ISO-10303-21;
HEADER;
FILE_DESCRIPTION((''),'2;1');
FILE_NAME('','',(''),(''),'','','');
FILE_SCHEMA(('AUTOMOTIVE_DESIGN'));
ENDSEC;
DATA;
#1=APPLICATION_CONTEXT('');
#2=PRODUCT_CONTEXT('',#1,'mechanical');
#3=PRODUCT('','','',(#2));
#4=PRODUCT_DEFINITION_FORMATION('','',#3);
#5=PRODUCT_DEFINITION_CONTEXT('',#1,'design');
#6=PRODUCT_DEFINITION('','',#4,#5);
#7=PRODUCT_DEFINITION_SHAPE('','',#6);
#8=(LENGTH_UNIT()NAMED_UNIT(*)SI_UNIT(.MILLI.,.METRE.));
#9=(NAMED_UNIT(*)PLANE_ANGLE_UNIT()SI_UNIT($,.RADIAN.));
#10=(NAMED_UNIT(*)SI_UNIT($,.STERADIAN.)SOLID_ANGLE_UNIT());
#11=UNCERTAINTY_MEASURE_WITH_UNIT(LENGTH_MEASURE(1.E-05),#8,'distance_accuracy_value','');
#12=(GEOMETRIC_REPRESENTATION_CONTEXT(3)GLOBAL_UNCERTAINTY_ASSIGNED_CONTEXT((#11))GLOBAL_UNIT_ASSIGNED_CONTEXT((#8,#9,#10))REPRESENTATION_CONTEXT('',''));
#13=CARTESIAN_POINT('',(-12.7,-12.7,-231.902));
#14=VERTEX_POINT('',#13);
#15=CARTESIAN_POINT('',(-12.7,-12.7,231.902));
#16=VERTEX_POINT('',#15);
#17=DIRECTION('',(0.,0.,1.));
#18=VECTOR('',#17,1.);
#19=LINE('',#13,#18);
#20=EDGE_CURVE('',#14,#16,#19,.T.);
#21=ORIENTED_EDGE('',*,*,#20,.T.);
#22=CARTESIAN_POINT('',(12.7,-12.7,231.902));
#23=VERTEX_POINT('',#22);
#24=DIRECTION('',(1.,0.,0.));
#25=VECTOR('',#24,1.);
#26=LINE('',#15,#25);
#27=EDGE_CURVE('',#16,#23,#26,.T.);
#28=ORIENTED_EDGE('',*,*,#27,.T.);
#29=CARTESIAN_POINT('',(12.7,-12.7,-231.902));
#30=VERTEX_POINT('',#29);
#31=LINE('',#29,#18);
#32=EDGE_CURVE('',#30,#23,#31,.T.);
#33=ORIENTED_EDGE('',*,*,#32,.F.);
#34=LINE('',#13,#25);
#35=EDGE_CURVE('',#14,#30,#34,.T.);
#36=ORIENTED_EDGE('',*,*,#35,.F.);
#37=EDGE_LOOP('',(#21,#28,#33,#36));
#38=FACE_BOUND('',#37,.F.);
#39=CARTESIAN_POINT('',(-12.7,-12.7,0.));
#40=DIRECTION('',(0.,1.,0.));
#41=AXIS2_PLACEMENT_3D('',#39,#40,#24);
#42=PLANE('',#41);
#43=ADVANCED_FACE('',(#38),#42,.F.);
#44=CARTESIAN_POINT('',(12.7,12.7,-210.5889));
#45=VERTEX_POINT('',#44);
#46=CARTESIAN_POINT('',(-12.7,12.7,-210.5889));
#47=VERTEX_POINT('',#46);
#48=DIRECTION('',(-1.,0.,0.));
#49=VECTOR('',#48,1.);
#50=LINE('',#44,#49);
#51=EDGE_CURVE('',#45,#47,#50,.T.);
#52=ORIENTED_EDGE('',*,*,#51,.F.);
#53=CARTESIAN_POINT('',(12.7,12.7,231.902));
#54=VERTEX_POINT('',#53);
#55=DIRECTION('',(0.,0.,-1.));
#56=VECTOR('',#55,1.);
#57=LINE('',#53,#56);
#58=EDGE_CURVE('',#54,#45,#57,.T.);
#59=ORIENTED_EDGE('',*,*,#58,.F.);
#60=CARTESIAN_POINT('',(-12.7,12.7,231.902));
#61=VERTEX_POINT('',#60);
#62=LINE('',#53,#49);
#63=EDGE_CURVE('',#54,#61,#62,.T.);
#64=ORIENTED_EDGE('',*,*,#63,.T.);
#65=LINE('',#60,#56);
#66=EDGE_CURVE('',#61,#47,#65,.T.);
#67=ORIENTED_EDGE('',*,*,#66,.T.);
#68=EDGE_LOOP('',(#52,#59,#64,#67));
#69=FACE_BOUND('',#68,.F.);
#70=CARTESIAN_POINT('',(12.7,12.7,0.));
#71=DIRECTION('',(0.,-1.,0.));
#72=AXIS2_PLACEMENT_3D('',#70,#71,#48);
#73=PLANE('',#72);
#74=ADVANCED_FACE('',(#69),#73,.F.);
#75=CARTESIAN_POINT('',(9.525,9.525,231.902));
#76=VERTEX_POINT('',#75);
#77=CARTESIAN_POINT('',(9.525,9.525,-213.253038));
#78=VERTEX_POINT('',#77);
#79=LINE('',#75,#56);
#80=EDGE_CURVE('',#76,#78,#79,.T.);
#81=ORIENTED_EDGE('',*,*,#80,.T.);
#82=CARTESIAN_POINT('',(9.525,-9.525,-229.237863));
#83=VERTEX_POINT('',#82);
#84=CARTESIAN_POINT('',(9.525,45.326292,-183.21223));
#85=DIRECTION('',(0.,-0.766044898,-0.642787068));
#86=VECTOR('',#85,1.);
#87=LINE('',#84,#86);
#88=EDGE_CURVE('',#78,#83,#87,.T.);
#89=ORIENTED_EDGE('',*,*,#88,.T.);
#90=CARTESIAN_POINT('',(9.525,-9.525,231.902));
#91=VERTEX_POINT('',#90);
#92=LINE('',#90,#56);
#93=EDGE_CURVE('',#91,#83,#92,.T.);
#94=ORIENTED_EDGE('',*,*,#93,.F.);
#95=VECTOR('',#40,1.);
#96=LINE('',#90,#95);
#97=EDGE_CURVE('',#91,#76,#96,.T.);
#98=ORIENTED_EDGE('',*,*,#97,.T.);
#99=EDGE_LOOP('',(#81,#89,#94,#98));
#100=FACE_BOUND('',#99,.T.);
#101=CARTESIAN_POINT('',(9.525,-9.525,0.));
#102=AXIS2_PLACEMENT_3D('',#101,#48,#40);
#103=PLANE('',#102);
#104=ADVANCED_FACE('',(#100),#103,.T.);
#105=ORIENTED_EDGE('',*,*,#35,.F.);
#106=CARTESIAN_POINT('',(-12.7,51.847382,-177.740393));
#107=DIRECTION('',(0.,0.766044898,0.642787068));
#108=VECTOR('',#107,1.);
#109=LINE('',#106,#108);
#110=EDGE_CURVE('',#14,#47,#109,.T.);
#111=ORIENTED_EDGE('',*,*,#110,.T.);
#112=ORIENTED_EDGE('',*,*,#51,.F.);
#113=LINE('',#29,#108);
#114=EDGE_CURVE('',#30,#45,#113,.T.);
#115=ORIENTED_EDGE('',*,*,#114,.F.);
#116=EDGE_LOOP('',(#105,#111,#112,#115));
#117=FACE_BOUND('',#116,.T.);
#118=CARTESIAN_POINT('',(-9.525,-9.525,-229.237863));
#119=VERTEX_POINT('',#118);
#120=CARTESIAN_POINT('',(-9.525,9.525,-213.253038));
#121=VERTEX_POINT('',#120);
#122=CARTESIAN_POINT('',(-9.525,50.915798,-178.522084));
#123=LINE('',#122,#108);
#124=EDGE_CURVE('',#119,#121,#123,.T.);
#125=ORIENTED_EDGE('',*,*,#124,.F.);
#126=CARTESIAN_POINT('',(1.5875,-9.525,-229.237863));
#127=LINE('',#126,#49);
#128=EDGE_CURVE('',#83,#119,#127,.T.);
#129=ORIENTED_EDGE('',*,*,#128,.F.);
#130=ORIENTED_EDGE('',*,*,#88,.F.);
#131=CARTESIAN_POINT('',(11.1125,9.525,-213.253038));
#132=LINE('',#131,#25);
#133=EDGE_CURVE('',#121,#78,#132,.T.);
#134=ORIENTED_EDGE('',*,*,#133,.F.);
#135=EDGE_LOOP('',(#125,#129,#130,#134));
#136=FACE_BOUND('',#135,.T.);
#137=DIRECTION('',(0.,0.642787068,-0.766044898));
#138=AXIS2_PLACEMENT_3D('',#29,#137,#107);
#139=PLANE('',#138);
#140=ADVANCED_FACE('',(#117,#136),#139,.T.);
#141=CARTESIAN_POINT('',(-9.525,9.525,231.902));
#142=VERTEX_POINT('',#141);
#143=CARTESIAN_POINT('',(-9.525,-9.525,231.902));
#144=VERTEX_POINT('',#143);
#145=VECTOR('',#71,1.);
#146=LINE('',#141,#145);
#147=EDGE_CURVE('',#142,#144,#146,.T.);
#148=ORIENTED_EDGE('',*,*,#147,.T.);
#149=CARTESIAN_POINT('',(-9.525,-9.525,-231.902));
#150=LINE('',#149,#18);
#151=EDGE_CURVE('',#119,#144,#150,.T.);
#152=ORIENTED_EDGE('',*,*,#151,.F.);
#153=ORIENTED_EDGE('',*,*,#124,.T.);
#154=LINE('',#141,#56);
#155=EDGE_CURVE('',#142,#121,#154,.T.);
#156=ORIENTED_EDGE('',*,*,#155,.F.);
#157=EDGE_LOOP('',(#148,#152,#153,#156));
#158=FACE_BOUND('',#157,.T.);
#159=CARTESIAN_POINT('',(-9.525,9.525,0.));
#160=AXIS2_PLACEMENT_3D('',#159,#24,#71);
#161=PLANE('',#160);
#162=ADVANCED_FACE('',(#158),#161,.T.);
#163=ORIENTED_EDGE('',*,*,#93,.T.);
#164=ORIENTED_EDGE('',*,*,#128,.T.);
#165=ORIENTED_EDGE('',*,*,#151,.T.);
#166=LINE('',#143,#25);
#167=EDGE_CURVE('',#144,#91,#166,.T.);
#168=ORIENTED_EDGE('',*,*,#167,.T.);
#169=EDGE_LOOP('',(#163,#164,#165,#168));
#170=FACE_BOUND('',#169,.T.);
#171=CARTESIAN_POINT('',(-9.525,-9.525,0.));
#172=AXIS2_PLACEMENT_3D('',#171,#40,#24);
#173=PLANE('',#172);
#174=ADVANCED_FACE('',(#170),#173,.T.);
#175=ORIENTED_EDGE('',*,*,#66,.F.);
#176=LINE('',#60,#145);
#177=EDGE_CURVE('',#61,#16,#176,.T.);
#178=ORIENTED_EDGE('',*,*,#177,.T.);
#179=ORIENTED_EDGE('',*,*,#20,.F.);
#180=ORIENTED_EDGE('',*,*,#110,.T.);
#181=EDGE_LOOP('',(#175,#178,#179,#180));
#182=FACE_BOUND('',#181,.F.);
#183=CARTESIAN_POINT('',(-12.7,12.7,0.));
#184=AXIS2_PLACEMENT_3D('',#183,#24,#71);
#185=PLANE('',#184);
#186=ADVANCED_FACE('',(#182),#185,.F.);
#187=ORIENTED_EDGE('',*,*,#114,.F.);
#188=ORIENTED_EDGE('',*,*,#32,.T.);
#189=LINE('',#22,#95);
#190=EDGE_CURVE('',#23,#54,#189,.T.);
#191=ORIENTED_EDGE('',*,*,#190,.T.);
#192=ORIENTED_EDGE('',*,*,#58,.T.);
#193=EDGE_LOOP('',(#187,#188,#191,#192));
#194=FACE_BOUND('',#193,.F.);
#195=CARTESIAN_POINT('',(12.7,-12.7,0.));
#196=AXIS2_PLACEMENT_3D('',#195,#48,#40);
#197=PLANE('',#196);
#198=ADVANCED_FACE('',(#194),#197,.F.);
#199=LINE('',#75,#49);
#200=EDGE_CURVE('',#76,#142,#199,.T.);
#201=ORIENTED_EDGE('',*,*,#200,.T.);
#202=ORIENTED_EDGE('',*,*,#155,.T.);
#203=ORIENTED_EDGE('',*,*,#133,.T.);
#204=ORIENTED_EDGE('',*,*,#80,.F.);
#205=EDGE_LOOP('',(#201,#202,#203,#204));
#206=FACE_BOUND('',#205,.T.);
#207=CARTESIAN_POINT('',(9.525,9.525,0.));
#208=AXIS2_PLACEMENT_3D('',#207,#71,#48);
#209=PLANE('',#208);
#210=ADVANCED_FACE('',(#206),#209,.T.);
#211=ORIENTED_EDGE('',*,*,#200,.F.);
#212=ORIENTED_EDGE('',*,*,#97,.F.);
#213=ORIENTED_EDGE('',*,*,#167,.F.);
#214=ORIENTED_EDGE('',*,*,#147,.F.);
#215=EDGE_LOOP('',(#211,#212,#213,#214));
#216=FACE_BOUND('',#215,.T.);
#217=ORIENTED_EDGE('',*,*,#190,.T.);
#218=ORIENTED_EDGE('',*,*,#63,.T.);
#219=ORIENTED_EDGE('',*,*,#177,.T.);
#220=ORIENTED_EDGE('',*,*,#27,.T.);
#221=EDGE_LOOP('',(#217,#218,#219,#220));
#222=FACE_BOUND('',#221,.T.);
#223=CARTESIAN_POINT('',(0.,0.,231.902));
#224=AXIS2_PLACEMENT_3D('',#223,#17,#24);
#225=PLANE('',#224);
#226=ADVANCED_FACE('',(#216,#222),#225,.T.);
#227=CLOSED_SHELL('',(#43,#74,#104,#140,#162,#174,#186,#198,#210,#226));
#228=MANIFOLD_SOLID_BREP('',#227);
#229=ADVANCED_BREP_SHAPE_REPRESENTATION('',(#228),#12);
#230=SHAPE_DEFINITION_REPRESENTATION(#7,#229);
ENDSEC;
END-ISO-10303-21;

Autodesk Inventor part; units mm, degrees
ref_plane "YZ Plane" through (0, 0, 0) normal (1, 0, 0) x (0, 1, 0)
ref_plane "XZ Plane" through (0, 0, 0) normal (0, 1, 0) x (-1, 0, 0)
ref_plane "XY Plane" through (0, 0, 0) normal (0, 0, 1) x (1, 0, 0)
sketch "Sketch1" plane through (0, 0, 0) normal (0, 0, 1) x (1, 0, 0)
  line L0 (-12.7, -12.7) -> (12.7, -12.7)
  line L1 (12.7, -12.7) -> (12.7, 12.7)
  line L2 (12.7, 12.7) -> (-12.7, 12.7)
  line L3 (-12.7, 12.7) -> (-12.7, -12.7)
  line L4 (-12.7, -12.7) -> (12.7, 12.7) construction
  line L5 (12.7, -12.7) -> (-12.7, 12.7) construction
  line L6 (-9.525, -9.525) -> (9.525, -9.525)
  line L7 (9.525, -9.525) -> (9.525, 9.525)
  line L8 (9.525, 9.525) -> (-9.525, 9.525)
  line L9 (-9.525, 9.525) -> (-9.525, -9.525)
  line L10 (-9.525, -9.525) -> (9.525, 9.525) construction
  line L11 (9.525, -9.525) -> (-9.525, 9.525) construction
  point P0 (0, 0)
  dimension "d0" = 25.4
  dimension "d1" = 25.4
  dimension "d2" = 3.175
extrude "Extrusion1" add sketch "Sketch1" along normal mid plane 463.804
sketch "Sketch4" plane through (12.7, -12.7, 231.902) normal (1, 0, 0) x (0, 0, -1)
  line L0 (463.804, 0) -> (463.804, 25.4) projected
  line L1 (463.804, 0) -> (442.4909, 25.4)
  line L2 (463.804, 25.4) -> (0, 25.4) projected
  line L3 (442.4909, 25.4) -> (463.804, 25.4)
  line L4 (463.804, 22.225) -> (0, 22.225) projected
  line L5 (463.804, 25.4) -> (463.804, 0)
  point P0 (231.902, 12.7)
  dimension "d9" = 40
extrude "Extrusion3" cut sketch "Sketch4" against normal through all
properties part number "Aluminum1x1Leg" material "Aluminum 6061"
